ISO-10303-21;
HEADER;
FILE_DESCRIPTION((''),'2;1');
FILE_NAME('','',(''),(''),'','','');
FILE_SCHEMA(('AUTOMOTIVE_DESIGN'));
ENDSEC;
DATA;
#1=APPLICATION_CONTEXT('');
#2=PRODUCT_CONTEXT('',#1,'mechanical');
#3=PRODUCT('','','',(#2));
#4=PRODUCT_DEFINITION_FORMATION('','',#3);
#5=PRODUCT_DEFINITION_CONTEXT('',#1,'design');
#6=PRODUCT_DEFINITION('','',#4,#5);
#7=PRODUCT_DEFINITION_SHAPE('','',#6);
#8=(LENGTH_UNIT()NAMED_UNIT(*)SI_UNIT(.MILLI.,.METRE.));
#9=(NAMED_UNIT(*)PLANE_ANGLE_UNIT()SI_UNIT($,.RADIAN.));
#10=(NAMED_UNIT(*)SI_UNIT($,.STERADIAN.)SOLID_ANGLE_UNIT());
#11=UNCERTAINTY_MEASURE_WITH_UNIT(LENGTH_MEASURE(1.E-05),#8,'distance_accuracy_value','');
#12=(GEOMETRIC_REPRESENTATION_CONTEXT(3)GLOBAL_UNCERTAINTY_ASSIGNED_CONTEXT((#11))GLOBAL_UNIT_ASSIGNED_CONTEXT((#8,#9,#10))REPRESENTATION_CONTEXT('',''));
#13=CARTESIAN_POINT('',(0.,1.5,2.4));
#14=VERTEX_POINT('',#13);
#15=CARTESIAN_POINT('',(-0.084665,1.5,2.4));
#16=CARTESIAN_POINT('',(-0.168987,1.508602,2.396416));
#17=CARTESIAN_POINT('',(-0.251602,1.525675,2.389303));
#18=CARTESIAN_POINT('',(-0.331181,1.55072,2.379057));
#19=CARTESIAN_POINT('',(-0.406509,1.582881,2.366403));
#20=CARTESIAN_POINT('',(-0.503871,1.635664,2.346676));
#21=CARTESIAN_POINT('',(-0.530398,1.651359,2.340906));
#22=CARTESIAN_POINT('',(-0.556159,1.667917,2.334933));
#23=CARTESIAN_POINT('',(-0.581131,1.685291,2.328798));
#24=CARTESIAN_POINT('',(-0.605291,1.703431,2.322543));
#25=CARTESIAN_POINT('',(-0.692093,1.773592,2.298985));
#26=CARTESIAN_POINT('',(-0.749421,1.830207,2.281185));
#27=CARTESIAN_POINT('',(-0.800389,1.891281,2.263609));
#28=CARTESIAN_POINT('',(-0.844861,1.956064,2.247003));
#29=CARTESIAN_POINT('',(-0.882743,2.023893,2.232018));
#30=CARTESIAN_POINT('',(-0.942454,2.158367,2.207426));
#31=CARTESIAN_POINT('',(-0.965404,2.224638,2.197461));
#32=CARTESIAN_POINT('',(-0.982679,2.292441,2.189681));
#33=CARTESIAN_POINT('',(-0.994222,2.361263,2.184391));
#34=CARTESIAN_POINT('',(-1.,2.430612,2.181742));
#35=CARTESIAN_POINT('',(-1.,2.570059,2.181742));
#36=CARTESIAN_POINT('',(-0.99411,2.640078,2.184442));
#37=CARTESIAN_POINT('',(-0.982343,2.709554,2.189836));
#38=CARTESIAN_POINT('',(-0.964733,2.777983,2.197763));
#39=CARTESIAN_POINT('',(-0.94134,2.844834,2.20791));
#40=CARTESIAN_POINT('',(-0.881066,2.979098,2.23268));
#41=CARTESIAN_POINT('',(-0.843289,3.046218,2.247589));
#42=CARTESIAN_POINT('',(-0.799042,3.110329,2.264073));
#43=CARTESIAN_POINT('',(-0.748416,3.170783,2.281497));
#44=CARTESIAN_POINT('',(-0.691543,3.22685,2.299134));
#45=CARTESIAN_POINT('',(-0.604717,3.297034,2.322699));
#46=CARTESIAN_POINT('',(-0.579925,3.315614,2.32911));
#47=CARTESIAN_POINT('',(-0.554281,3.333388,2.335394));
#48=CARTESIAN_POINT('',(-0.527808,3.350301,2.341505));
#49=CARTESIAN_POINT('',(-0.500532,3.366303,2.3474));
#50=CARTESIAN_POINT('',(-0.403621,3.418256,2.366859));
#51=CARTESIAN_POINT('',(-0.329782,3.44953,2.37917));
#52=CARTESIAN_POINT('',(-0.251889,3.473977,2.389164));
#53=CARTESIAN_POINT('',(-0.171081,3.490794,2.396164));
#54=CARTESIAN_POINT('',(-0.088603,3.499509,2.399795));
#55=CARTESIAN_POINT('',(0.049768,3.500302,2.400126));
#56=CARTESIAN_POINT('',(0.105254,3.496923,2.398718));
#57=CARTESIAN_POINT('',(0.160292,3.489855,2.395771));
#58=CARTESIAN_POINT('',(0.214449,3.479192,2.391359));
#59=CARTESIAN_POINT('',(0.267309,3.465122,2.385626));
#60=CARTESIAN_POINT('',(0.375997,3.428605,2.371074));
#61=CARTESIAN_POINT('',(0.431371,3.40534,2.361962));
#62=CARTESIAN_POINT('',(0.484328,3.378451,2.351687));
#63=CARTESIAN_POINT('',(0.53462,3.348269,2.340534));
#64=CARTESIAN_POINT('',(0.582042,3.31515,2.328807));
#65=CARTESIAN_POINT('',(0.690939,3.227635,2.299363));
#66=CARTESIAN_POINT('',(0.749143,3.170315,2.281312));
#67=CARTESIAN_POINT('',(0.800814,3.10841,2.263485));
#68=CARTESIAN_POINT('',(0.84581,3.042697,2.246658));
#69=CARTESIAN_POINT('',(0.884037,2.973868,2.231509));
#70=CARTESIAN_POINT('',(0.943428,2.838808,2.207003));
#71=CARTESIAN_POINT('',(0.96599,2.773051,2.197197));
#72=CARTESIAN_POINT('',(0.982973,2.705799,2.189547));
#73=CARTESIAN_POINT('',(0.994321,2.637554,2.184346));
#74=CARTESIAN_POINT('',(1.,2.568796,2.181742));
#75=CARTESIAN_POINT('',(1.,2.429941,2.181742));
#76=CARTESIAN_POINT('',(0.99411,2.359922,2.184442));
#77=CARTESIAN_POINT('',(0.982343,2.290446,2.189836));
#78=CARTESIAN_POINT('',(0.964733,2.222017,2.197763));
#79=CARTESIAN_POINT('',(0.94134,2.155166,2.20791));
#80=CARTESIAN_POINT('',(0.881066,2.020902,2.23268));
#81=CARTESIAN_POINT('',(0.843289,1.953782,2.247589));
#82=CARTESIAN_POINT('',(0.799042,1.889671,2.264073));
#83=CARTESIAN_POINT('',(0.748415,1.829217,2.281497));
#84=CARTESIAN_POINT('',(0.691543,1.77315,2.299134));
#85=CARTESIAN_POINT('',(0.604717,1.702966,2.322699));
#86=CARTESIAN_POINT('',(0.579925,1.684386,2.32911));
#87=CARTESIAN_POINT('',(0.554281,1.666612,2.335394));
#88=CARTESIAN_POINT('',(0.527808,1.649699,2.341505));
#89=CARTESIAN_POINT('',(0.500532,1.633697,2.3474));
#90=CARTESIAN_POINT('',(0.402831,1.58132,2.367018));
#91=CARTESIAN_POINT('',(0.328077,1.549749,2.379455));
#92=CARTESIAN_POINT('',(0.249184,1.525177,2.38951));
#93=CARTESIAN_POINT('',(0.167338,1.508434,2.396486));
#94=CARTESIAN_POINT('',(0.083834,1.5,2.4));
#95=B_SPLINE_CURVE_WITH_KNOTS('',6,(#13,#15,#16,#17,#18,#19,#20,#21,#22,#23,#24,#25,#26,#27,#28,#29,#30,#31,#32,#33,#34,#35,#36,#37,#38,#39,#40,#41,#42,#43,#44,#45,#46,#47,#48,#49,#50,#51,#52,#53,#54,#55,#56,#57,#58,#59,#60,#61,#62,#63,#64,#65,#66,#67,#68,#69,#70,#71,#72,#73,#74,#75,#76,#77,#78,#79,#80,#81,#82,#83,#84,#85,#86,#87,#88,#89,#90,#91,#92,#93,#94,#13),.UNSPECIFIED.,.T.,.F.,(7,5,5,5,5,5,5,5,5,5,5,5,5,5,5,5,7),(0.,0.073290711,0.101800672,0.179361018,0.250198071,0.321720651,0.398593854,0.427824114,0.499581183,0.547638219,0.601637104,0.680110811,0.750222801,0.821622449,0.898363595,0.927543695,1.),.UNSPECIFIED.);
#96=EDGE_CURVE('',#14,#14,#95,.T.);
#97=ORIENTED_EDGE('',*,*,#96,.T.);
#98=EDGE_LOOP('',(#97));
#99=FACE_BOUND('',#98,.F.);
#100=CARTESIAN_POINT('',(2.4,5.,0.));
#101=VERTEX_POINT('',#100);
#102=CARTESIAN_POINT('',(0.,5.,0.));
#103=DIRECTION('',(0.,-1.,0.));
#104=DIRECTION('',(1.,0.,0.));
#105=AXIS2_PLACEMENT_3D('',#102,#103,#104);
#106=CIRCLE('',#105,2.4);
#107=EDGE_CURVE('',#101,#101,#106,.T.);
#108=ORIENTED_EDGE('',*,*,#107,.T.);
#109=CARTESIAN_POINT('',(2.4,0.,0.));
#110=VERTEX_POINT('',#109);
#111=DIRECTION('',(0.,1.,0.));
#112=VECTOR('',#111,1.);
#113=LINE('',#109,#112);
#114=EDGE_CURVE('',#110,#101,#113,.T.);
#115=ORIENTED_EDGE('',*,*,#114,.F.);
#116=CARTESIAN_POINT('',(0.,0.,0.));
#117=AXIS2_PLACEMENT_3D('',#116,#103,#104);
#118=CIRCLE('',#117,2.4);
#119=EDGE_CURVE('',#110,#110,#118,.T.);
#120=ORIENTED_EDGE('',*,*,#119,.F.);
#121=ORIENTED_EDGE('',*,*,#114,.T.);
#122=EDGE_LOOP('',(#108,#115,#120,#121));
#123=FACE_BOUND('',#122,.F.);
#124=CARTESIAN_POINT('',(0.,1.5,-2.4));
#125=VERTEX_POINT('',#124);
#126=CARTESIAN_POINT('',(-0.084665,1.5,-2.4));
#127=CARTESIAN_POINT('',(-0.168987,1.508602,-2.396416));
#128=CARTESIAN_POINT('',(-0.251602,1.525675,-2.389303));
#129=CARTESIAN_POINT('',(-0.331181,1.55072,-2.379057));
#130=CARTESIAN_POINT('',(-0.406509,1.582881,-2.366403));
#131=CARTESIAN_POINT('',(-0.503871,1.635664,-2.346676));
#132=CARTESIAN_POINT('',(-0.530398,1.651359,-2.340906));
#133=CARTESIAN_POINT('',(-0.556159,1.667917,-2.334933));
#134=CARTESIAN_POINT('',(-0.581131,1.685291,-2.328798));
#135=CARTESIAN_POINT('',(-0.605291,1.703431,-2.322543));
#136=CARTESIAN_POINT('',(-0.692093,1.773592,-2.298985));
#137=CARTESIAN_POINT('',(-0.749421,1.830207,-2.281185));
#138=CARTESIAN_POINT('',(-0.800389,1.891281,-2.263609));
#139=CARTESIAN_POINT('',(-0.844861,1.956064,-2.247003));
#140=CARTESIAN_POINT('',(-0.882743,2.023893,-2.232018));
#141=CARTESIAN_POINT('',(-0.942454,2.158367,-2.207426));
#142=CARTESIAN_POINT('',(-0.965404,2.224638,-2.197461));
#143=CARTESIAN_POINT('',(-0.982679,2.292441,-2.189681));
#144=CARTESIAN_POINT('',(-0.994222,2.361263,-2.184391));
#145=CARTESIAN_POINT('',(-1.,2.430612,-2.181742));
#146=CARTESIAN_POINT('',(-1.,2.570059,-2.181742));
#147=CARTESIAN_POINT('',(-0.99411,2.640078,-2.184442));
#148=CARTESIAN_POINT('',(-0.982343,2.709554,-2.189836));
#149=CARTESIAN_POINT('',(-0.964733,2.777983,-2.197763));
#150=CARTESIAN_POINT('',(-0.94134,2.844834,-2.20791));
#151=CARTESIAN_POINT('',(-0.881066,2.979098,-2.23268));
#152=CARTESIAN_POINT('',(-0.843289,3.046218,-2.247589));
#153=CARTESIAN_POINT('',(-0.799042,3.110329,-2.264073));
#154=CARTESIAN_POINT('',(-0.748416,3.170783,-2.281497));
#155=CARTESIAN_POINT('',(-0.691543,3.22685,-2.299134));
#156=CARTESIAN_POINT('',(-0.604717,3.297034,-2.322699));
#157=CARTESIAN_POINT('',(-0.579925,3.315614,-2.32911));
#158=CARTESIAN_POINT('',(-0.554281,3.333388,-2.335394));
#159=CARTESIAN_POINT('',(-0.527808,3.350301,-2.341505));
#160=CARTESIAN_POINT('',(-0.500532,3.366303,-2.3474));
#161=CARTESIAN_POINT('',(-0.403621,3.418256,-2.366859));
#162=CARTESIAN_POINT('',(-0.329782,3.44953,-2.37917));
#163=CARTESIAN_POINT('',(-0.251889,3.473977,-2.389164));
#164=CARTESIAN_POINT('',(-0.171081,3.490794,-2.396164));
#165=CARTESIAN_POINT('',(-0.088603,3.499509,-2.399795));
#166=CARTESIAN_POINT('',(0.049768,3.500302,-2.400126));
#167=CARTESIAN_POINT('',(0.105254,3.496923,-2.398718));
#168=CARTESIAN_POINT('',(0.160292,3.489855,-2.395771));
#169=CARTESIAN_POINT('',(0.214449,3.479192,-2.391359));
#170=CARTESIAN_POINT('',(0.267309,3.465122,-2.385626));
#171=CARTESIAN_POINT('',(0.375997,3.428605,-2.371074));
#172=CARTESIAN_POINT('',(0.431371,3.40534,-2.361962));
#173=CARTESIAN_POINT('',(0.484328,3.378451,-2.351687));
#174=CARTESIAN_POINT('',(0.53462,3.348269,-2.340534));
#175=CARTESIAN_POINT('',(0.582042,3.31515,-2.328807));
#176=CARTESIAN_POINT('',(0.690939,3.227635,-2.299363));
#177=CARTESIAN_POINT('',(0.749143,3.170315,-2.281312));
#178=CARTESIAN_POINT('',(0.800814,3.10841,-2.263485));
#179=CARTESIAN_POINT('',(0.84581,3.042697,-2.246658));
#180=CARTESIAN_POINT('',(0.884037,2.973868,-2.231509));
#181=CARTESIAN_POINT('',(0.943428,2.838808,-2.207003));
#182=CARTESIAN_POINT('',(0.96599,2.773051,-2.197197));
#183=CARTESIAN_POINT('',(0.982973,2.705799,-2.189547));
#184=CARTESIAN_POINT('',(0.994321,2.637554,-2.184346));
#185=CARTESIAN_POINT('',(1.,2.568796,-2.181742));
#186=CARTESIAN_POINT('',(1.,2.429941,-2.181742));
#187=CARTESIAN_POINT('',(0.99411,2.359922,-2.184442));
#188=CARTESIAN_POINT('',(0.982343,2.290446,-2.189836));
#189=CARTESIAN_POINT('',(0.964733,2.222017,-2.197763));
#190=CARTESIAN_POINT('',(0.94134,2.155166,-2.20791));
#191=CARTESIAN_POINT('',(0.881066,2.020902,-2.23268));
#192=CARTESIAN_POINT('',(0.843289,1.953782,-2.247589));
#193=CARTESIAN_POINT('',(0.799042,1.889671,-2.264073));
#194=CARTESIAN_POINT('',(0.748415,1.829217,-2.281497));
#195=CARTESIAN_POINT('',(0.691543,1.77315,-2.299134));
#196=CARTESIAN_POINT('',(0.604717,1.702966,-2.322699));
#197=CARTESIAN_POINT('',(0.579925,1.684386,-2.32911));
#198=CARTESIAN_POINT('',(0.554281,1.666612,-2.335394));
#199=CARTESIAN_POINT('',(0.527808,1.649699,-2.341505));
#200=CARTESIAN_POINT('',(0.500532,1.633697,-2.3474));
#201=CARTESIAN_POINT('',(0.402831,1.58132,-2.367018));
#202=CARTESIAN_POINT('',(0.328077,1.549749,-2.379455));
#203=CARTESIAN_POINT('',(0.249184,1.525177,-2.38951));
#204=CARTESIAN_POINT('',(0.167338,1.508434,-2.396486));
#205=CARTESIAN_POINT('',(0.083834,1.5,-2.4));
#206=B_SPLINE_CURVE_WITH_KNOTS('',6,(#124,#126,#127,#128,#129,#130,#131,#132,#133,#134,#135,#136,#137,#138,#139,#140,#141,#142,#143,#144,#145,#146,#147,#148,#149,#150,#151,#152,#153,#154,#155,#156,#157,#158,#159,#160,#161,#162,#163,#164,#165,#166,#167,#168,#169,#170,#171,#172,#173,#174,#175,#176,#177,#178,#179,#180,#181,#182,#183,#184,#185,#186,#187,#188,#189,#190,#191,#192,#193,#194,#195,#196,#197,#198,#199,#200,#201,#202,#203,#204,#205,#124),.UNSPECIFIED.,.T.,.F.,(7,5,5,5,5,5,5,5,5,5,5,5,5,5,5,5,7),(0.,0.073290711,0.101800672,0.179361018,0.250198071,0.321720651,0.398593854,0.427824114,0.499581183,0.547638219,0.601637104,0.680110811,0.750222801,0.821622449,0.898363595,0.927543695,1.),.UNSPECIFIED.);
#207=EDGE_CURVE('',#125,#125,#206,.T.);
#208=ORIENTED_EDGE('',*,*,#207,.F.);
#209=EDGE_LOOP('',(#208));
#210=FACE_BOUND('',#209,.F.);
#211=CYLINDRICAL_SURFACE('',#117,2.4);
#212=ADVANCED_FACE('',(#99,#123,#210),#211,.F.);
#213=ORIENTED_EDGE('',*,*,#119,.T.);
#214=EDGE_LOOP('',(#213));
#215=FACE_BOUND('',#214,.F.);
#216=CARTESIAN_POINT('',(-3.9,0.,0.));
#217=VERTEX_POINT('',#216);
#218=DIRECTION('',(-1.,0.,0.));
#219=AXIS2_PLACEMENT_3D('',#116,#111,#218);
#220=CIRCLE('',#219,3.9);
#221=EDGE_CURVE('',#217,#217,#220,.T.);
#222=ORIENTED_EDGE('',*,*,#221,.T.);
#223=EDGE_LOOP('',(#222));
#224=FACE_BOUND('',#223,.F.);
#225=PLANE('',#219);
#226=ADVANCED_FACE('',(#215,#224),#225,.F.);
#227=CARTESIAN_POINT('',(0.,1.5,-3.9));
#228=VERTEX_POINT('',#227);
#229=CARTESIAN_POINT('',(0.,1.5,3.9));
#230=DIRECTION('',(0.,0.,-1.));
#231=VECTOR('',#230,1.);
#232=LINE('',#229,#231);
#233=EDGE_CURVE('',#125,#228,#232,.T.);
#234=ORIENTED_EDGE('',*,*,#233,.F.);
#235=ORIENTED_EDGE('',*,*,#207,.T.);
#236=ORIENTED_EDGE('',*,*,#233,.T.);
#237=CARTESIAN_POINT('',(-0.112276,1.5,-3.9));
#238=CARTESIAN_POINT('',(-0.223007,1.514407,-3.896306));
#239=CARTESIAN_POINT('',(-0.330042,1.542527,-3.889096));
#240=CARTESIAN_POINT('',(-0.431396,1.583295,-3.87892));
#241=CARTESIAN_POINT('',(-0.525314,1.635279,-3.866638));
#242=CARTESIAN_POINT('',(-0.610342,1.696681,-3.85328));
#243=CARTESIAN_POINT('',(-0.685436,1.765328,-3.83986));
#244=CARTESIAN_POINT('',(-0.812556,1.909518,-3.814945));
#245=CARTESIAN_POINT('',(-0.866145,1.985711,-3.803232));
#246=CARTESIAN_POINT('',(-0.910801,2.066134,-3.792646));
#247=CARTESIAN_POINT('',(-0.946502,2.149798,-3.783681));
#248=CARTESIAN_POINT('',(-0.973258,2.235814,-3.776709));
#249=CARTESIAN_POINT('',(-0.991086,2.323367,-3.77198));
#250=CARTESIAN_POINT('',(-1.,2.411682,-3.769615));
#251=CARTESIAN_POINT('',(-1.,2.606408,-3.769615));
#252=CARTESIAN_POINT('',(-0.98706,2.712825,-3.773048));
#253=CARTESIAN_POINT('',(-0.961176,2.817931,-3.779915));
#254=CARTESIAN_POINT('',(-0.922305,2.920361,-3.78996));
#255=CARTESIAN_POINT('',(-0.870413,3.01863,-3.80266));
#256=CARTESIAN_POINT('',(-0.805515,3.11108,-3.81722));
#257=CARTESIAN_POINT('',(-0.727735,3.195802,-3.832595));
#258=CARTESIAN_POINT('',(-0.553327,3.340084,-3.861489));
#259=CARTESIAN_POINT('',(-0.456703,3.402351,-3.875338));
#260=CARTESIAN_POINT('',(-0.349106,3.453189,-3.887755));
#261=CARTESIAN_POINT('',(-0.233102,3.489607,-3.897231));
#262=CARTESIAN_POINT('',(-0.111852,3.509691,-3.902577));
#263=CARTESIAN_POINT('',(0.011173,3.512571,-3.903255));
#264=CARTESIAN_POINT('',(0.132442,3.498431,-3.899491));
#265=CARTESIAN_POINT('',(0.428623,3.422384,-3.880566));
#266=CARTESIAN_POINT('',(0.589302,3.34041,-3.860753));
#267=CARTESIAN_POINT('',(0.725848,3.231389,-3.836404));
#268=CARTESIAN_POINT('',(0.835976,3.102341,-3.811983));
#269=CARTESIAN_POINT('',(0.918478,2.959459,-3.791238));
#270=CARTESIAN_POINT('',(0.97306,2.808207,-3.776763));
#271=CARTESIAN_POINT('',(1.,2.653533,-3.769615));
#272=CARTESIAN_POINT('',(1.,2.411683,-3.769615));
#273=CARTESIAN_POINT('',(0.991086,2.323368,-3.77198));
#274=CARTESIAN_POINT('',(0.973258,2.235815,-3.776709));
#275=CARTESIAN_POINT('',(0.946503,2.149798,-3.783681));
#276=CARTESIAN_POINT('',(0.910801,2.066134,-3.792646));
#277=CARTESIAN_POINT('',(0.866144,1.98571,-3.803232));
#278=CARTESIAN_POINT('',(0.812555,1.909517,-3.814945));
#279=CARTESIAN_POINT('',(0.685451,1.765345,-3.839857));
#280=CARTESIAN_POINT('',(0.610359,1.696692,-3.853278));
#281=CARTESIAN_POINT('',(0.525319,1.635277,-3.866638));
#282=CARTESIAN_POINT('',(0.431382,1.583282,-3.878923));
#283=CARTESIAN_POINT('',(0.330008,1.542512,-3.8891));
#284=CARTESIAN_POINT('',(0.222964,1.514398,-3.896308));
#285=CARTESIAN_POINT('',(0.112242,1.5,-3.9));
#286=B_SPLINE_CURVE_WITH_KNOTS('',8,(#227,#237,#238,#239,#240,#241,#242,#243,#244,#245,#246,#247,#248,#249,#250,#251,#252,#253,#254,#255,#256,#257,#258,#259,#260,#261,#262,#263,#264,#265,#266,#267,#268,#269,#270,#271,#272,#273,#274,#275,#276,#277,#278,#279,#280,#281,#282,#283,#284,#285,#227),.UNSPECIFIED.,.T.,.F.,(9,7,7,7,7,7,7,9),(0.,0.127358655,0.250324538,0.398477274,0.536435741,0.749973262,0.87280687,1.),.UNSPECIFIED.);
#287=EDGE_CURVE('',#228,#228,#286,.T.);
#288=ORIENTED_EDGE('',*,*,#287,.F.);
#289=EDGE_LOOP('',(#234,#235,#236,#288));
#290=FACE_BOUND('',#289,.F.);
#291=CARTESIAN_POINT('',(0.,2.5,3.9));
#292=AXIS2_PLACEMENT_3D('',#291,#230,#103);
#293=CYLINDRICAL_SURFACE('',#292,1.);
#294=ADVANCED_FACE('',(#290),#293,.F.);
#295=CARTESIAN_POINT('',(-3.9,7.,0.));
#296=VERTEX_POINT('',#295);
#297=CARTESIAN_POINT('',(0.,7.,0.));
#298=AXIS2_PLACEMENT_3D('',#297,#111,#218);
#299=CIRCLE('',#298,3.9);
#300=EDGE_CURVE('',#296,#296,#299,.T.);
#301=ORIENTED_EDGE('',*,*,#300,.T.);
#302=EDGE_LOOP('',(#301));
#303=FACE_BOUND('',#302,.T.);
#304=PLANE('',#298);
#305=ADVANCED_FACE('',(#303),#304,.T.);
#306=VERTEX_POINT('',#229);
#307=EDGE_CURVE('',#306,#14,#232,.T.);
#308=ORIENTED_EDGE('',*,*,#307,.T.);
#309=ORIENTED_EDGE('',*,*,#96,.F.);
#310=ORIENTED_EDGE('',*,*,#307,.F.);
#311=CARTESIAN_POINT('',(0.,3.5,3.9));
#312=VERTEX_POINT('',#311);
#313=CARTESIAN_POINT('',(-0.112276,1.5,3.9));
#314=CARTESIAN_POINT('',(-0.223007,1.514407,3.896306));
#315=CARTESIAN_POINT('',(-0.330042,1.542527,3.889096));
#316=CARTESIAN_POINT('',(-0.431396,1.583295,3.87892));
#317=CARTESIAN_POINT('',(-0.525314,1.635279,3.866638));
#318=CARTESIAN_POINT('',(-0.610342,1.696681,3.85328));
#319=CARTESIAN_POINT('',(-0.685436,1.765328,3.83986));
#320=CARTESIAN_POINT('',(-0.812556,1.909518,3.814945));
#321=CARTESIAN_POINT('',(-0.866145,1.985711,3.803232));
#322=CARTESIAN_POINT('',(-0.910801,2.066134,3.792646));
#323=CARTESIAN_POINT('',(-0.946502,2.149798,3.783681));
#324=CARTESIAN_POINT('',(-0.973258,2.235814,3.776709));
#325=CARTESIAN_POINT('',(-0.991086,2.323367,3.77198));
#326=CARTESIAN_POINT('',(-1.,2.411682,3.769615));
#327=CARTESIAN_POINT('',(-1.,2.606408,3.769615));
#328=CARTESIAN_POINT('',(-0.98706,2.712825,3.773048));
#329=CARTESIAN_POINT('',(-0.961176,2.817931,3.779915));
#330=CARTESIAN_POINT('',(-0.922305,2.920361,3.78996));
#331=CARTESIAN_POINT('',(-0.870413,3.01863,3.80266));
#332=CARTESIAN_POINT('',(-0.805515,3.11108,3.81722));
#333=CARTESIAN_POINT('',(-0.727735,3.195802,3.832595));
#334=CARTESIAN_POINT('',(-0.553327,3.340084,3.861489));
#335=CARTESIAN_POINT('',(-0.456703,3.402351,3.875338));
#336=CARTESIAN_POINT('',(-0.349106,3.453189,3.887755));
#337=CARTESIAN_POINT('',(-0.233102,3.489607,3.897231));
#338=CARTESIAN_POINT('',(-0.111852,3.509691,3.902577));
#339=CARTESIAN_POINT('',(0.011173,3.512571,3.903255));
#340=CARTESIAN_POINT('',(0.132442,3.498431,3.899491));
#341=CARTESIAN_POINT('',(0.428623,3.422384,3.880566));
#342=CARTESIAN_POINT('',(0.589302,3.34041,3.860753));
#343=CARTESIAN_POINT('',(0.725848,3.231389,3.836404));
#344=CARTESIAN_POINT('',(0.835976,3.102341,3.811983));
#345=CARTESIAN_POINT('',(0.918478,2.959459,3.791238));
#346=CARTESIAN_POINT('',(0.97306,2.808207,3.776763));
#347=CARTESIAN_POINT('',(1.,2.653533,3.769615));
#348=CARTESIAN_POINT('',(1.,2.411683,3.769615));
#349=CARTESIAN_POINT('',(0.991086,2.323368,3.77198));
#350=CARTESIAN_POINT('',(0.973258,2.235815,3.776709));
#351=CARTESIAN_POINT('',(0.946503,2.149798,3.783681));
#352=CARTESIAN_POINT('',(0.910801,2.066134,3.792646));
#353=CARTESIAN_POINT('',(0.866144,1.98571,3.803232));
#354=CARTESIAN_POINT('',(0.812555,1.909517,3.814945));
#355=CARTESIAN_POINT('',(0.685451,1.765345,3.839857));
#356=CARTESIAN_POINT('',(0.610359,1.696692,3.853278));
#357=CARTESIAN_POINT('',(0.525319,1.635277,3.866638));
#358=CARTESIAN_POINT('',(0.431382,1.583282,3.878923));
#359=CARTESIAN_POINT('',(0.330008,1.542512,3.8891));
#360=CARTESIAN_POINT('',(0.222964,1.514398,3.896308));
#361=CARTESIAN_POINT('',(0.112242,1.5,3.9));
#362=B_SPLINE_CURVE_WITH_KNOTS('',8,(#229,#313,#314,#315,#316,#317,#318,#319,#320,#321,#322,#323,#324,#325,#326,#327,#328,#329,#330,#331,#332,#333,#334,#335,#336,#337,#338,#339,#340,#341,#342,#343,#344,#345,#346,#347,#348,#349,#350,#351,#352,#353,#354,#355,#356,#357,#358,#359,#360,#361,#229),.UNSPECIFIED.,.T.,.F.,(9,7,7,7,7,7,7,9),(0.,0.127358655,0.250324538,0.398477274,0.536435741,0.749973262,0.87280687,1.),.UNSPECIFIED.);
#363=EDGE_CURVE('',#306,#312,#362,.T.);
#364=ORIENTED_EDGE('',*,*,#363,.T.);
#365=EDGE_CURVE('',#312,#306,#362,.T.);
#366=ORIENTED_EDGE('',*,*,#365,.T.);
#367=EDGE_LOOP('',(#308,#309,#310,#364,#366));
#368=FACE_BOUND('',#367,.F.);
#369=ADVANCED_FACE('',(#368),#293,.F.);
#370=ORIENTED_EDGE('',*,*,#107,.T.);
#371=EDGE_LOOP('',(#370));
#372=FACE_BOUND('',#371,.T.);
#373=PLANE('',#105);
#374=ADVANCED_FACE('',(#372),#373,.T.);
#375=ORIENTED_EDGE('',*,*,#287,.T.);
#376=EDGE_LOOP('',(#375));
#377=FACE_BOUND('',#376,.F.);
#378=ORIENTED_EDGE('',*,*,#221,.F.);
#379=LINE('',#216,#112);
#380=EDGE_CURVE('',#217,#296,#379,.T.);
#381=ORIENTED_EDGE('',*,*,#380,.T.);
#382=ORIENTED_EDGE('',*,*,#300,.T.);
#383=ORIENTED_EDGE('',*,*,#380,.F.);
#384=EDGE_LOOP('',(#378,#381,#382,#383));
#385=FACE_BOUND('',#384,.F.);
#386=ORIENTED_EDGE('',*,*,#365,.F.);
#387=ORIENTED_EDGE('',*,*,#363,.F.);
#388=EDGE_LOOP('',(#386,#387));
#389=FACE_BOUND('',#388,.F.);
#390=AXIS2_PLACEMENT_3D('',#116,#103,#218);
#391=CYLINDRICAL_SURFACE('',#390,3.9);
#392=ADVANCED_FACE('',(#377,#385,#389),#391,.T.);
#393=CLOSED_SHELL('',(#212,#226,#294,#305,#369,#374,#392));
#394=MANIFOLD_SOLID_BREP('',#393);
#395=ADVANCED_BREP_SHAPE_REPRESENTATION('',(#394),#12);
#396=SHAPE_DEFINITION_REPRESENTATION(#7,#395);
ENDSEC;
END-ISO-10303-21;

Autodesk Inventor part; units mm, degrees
ref_plane "YZ Plane" through (0, 0, 0) normal (1, 0, 0) x (0, 1, 0)
ref_plane "XZ Plane" through (0, 0, 0) normal (0, 1, 0) x (-1, 0, 0)
sketch "Sketch1" plane through (0, 0, 0) normal (0, 1, 0) x (-1, 0, 0)
  circle A0 centre (0, 0) radius 3.9
  dimension "d0" = 7.8
extrude "Extrusion1" add sketch "Sketch1" along normal blind 7
sketch "Sketch5" plane through (0, 0, 0) normal (0, -1, 0) x (1, 0, 0)
  circle A0 centre (0, 0) radius 2.4
  dimension "d22" = 4.8
extrude "Extrusion3" cut sketch "Sketch5" against normal blind 5
ref_plane "Work Plane1" through (0, 0, 3.9) normal (0, 0, 1) x (1, 0, 0)
sketch "Sketch2" plane through (0, 0, 3.9) normal (0, 0, 1) x (1, 0, 0)
  line L0 (0, 0) -> (0, 2.5) construction
  line L1 (3.9, 0) -> (-3.9, 0) construction
  dimension "d21" = 2.5
hole "Hole1" at (0, 2.5, 3.9) direction (0, 0, -1) diameter 2 end through all
properties part number "Lego_Frame_Holder"
